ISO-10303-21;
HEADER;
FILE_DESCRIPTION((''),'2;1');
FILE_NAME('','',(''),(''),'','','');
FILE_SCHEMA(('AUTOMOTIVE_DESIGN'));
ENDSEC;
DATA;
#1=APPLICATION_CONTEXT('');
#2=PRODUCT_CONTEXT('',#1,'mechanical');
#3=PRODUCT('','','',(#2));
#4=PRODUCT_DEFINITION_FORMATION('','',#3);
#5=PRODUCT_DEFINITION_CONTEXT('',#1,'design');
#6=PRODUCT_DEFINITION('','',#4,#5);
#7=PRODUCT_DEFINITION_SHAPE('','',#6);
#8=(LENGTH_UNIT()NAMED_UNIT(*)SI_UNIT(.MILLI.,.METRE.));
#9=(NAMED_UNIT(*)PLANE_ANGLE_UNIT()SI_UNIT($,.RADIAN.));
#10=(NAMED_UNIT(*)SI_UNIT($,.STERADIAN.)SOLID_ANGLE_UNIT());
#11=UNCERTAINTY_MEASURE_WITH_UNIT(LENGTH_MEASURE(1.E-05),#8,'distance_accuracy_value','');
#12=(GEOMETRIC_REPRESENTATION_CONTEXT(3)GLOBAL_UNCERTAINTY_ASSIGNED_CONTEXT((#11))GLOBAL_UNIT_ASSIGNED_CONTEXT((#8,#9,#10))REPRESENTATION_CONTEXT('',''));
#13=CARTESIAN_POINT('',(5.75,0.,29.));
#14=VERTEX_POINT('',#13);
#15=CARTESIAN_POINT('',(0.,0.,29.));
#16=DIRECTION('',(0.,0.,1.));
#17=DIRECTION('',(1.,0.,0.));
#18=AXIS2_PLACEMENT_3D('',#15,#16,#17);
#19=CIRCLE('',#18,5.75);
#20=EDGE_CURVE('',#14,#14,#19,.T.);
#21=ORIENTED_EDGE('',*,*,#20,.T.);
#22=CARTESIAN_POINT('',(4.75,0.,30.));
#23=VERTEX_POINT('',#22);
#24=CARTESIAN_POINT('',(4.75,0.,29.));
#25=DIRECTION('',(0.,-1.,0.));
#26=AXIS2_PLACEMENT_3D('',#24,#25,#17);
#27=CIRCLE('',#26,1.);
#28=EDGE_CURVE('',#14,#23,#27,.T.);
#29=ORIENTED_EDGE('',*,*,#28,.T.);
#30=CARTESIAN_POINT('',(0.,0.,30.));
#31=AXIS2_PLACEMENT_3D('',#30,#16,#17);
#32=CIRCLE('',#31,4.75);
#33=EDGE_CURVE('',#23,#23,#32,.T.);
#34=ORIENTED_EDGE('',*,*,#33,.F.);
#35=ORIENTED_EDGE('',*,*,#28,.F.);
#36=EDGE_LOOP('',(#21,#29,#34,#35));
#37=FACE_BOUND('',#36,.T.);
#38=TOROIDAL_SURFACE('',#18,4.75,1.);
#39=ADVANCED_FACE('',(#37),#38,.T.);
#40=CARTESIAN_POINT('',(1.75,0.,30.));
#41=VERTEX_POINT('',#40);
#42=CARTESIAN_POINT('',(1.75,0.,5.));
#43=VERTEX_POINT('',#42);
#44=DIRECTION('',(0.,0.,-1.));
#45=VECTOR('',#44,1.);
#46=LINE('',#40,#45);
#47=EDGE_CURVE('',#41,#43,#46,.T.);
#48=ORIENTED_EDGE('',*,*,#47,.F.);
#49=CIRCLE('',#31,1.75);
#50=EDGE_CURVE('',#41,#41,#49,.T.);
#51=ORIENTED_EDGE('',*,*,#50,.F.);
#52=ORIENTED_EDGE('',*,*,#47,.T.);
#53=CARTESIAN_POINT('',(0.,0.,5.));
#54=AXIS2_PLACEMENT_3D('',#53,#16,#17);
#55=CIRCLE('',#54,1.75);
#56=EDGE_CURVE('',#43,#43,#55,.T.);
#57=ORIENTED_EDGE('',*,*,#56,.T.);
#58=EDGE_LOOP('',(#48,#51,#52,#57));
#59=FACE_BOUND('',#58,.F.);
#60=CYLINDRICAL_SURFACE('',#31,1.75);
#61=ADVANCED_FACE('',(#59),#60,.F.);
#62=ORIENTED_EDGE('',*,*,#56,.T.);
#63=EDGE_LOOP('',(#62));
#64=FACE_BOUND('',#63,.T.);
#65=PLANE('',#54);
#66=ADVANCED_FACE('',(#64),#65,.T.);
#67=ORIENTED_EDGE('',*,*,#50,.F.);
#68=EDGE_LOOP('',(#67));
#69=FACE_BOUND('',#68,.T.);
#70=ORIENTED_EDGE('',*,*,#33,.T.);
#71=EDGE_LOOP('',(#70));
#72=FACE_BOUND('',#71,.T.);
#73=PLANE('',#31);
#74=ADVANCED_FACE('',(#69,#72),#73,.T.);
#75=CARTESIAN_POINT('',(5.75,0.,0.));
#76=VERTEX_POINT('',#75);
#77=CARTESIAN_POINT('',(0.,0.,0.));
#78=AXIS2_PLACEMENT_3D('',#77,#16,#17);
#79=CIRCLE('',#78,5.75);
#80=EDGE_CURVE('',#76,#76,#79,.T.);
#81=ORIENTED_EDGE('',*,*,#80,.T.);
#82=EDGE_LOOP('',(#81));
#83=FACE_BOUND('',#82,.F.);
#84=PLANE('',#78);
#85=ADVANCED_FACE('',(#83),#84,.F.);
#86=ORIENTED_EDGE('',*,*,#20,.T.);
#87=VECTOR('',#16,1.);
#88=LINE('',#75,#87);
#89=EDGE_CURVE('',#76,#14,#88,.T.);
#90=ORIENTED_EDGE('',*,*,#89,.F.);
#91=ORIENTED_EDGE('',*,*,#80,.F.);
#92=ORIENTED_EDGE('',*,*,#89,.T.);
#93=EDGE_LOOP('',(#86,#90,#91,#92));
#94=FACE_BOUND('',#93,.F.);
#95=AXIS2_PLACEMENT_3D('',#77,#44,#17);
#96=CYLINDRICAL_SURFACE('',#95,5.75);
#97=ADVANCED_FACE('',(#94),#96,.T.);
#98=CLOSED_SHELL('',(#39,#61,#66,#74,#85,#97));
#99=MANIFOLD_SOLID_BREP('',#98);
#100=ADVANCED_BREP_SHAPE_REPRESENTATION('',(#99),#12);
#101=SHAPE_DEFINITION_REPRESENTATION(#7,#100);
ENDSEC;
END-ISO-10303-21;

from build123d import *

# Parameters (mm, degrees)
F0_R     = 5.75
F1_DEPTH = 30
F2_R     = 1.75
F3_DEPTH = 25
F4_R     = 1


with BuildPart() as f1:
    # F0 (on Top) → F1 (new body)
    with BuildSketch(Plane.XY):
        Circle(F0_R)
    extrude(amount=F1_DEPTH)

    # F2 (on face) → F3 (cut)
    with BuildSketch(Plane.XY.offset(30)):
        Circle(F2_R)
    extrude(amount=-F3_DEPTH, mode=Mode.SUBTRACT)

    # F4
    f4_edges = [f1.edges().sort_by_distance(p)[0] for p in [
        (-5.75, 0, 30),
    ]]
    fillet(f4_edges, radius=F4_R)


solid = f1.part
